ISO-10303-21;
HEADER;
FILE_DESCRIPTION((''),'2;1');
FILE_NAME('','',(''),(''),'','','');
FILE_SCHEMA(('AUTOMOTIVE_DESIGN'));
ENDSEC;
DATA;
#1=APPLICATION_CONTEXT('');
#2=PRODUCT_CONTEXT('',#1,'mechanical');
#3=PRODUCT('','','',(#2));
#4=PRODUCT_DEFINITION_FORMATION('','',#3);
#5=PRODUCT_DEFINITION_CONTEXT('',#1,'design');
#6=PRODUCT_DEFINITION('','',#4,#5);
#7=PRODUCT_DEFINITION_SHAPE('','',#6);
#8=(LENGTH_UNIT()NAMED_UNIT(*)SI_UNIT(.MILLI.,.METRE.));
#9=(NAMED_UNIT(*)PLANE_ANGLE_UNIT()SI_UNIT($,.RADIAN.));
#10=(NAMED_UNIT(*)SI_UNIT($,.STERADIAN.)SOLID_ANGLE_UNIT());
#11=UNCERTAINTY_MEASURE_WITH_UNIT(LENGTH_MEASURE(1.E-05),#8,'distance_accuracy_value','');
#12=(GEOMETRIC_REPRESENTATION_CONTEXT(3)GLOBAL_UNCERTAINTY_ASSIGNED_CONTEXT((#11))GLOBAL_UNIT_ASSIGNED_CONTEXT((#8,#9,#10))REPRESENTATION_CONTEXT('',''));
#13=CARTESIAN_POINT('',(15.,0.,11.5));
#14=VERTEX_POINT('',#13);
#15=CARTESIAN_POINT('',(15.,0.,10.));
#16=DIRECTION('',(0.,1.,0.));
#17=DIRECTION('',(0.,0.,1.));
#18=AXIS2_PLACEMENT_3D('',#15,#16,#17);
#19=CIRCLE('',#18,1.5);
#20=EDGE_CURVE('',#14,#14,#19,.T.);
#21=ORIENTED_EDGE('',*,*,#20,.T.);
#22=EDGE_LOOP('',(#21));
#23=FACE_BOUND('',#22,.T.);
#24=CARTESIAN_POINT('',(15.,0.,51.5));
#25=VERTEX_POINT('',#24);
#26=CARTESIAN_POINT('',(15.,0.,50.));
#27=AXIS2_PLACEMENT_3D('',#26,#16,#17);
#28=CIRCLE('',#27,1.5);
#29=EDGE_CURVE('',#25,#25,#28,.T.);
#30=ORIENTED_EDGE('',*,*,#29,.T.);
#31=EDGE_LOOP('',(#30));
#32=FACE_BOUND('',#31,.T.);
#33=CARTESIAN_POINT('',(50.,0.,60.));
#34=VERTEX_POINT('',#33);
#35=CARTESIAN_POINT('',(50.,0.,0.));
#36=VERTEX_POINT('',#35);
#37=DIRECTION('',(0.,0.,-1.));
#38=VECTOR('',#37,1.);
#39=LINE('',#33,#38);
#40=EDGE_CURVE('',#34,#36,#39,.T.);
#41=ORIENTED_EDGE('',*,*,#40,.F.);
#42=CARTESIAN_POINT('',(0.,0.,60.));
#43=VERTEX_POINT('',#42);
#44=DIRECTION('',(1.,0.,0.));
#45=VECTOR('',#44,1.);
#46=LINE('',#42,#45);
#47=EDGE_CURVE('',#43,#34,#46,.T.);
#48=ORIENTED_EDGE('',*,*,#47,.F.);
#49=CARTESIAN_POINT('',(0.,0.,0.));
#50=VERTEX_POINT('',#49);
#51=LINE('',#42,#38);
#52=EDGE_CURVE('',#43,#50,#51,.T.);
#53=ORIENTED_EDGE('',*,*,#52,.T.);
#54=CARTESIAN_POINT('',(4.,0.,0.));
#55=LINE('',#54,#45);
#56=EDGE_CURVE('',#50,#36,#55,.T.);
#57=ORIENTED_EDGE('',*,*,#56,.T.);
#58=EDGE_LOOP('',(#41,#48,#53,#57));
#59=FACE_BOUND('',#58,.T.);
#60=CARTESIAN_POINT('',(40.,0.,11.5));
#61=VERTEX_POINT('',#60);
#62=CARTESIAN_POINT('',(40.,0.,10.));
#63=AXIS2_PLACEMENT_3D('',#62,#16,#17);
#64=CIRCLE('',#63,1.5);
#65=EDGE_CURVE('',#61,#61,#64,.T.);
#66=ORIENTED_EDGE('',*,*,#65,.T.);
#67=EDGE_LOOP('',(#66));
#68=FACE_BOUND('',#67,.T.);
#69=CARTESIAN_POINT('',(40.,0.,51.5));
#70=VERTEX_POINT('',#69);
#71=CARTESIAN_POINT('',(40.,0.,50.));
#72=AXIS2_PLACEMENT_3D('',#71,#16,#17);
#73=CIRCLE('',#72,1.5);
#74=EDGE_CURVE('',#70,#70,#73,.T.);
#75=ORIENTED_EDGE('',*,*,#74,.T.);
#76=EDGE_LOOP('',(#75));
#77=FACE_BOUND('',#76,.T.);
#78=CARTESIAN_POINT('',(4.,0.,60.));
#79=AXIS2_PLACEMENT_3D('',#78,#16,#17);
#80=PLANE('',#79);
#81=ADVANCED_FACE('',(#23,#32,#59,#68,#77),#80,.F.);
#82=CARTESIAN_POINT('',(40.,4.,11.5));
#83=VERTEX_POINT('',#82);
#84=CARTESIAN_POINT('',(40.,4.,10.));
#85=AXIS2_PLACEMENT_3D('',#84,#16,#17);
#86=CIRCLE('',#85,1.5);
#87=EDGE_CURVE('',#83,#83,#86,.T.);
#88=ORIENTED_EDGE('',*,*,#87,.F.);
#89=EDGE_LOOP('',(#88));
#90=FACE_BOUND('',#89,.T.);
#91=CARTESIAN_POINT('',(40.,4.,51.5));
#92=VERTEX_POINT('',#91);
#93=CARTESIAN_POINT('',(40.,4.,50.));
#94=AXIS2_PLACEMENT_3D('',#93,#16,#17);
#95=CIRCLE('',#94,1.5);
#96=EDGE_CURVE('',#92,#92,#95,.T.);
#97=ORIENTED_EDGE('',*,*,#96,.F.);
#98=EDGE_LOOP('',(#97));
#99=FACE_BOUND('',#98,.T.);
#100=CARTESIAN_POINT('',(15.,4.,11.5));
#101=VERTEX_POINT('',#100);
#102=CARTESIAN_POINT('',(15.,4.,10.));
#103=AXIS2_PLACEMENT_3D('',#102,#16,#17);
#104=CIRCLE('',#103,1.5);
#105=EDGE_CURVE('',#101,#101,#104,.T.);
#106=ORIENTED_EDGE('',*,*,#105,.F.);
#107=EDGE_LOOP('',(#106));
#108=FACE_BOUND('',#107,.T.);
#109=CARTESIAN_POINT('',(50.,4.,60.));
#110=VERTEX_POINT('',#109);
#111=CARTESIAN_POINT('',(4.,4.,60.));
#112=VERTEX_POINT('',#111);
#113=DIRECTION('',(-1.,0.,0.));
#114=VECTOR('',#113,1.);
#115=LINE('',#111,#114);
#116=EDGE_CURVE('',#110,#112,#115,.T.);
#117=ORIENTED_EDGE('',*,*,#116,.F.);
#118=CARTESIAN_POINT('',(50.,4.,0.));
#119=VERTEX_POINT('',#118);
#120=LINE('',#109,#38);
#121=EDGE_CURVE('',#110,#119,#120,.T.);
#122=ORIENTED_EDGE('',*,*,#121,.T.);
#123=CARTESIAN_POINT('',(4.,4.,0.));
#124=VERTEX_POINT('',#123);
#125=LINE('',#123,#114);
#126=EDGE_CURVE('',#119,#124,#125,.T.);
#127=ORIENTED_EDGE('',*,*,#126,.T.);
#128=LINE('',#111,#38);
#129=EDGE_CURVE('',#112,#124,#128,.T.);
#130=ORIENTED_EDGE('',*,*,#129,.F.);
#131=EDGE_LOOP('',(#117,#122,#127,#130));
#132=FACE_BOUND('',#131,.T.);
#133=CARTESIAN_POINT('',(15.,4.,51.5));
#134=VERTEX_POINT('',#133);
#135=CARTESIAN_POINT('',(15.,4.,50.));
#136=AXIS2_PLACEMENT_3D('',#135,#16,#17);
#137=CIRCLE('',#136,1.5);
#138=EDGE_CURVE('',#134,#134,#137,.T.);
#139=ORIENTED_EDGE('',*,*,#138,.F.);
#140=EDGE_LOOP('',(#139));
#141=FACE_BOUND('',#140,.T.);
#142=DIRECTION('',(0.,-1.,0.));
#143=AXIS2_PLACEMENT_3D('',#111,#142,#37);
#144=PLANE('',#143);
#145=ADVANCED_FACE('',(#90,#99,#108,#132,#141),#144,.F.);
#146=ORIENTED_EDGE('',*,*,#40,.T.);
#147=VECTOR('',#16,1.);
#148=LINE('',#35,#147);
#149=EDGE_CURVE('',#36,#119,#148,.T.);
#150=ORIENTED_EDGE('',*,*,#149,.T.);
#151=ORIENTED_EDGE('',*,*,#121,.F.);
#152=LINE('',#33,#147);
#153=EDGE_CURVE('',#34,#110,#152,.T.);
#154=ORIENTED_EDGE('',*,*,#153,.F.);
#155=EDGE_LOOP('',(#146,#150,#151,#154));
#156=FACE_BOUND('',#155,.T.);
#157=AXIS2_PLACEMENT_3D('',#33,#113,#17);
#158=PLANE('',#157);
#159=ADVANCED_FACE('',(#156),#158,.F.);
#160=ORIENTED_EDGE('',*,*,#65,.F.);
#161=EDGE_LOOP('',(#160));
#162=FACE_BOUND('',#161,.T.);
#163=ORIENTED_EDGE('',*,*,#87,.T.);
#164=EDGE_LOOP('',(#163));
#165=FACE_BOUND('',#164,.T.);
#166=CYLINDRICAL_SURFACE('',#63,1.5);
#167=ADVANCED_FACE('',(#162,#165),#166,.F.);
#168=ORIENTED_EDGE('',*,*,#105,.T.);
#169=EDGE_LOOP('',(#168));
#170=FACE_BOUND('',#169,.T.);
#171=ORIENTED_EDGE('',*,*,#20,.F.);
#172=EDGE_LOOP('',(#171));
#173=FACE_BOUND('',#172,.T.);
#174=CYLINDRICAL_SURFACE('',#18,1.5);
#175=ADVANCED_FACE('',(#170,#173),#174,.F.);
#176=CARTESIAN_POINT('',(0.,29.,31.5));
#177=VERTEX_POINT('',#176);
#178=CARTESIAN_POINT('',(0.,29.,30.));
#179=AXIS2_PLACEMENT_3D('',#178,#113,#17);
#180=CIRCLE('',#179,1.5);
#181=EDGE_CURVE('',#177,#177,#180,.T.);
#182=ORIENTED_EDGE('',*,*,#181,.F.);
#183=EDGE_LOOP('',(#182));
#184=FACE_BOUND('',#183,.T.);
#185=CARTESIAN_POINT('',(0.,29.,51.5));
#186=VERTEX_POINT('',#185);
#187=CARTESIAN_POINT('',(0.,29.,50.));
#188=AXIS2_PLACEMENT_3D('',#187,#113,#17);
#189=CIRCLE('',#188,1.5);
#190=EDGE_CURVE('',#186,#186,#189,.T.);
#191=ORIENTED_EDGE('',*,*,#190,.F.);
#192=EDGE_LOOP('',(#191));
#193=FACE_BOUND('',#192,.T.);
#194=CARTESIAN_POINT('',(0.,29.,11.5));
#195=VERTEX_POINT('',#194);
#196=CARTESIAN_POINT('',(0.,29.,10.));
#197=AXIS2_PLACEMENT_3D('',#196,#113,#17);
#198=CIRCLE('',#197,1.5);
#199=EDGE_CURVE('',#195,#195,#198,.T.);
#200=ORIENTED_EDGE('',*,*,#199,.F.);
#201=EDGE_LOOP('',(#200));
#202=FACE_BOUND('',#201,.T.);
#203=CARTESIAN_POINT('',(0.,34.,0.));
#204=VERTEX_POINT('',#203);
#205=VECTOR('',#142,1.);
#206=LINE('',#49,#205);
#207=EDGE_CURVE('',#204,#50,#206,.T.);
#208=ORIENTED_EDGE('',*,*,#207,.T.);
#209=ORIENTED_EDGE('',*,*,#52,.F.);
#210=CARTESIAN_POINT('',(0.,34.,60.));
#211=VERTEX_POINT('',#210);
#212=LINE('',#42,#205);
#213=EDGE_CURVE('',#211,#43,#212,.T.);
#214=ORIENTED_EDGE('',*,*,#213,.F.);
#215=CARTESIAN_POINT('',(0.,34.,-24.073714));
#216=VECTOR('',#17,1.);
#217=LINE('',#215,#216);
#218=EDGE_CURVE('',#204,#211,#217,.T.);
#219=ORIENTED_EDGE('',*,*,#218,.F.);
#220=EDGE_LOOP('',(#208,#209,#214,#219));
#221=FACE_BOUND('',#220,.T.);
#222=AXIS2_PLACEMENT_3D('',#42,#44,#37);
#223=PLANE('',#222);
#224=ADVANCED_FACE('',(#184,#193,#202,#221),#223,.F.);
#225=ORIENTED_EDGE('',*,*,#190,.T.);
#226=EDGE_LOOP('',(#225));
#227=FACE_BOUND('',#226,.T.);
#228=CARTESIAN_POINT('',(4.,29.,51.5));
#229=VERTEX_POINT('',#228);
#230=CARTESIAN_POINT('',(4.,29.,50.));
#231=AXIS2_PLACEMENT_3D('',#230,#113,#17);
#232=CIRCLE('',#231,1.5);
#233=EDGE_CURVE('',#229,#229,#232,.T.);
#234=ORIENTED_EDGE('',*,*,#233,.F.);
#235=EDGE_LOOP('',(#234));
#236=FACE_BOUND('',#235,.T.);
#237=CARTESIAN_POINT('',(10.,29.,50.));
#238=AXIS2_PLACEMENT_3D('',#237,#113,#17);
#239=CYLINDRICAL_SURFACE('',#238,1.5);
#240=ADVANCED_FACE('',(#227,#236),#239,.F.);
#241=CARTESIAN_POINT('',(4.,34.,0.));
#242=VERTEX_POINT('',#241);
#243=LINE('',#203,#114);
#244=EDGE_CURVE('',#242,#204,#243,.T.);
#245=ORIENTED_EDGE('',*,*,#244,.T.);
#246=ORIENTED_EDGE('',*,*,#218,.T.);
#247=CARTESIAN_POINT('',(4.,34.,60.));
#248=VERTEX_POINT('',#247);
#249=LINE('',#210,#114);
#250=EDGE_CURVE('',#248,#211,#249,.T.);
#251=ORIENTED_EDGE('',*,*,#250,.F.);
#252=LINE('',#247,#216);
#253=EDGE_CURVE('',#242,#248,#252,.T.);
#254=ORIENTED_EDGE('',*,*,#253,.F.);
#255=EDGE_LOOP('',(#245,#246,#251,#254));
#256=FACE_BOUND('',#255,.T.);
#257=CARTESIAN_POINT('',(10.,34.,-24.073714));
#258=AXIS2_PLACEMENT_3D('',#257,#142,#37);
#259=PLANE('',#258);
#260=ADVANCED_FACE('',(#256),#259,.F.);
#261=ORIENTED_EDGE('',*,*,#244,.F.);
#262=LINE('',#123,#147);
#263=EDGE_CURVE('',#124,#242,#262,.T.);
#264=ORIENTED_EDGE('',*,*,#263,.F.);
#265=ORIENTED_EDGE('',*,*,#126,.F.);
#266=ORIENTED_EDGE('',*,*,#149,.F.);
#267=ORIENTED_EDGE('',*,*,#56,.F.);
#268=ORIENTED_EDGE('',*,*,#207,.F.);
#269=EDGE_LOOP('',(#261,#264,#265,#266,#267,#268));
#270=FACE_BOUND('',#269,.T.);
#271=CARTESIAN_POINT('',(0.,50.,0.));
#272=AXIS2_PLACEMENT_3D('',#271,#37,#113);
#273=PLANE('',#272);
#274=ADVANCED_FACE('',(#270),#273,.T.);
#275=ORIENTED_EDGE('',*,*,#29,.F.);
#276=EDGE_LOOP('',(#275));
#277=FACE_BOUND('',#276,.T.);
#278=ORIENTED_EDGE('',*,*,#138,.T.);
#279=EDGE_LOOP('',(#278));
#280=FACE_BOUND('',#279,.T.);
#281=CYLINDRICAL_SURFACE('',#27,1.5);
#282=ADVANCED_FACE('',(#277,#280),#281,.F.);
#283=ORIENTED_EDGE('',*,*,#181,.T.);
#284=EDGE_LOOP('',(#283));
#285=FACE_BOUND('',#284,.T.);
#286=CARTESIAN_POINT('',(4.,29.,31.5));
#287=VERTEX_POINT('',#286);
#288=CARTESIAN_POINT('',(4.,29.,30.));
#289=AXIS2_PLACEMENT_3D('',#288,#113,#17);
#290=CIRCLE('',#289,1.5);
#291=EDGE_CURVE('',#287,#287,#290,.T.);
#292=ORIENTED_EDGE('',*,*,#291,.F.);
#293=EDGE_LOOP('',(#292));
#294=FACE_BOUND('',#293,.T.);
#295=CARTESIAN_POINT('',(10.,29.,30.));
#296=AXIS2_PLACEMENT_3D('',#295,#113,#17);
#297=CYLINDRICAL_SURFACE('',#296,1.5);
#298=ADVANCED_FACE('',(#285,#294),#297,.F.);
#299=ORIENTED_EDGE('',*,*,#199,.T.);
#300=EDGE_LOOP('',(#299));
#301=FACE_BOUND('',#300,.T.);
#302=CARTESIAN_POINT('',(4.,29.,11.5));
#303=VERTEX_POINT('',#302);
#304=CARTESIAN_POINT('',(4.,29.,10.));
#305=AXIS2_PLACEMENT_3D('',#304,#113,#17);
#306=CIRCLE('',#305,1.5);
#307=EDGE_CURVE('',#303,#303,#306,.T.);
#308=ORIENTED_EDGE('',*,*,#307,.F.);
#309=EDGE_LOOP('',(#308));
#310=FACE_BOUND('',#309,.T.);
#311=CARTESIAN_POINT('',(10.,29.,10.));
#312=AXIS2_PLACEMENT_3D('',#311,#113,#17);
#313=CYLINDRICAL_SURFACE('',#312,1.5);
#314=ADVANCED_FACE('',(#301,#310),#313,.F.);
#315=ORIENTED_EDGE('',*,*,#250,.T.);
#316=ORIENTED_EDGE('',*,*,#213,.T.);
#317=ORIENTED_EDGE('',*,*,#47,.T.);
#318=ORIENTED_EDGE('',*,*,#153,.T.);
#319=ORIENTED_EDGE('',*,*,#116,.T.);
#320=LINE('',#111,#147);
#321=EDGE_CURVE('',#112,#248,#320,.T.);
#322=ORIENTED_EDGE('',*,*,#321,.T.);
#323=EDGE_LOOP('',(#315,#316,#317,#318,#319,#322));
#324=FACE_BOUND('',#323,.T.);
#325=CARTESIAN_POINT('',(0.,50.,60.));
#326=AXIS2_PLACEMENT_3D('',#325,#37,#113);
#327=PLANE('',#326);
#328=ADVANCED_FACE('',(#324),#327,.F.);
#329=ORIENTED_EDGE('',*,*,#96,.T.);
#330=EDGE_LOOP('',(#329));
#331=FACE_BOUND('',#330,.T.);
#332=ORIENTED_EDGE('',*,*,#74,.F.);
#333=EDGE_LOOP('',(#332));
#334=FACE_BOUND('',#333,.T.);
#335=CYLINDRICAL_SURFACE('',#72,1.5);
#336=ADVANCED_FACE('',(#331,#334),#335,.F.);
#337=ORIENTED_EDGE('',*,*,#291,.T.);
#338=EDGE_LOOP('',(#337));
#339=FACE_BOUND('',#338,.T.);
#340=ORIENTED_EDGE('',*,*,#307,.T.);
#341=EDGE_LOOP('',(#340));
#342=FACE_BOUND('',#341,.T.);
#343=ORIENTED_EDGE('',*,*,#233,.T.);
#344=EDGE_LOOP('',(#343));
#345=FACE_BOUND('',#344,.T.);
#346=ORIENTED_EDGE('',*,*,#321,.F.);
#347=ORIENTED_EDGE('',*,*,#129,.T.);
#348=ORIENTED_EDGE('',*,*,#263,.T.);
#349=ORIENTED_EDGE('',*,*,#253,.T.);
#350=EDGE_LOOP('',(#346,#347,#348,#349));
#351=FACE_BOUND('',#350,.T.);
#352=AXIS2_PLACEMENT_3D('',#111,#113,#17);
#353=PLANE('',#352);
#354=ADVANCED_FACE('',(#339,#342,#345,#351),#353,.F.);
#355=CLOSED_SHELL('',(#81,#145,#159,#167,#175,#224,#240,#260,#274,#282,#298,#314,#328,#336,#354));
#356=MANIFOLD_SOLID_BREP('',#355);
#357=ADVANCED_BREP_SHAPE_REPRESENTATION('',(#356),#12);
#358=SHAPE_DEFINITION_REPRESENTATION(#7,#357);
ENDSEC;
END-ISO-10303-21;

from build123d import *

# Parameters (mm, degrees)
EXTRUSION1_DEPTH                = 60
ESQUISSE2_R                     = 1.5
EXTRUSION2_DEPTH                = 91.642153549
R_P_TITION_LIN_AIRE1_COUNT      = 2
R_P_TITION_LIN_AIRE1_PITCH      = 40
R_P_TITION_LIN_AIRE1_COUNT_DIR2 = 2
R_P_TITION_LIN_AIRE1_PITCH_DIR2 = 25
ESQUISSE3_W                     = 123.67499348
ESQUISSE3_H                     = 39.653502897
EXTRUSION3_DEPTH                = 10
ESQUISSE4_R                     = 1.5
EXTRUSION4_DEPTH                = 10
R_P_TITION_LIN_AIRE2_COUNT      = 3
R_P_TITION_LIN_AIRE2_PITCH      = 20


with BuildPart() as part:
    # Esquisse1 → Extrusion1 (new body)
    with BuildSketch(Plane.XY):
        Polygon((0, 0), (4, 0), (50, 0), (50, 4), (4, 4), (4, 50), (0, 50), align=None)
    extrude(amount=EXTRUSION1_DEPTH)

    # Esquisse2 → Extrusion2 (cut, through all)
    with BuildSketch(Plane(origin=(0, 4, 0), x_dir=(1, 0, 0), z_dir=(0, 1, 0))):
        with Locations(Location((40, -50, 0), (0, 0, 270))):
            Circle(ESQUISSE2_R)
    extrusion2 = extrude(amount=-EXTRUSION2_DEPTH, mode=Mode.SUBTRACT)

    # Répétition linéaire1: Extrusion2 2 × 2
    with Locations(*[(-j * R_P_TITION_LIN_AIRE1_PITCH_DIR2, 0, -i * R_P_TITION_LIN_AIRE1_PITCH) for i in range(R_P_TITION_LIN_AIRE1_COUNT) for j in range(R_P_TITION_LIN_AIRE1_COUNT_DIR2) if (i, j) != (0, 0)]):
        add(extrusion2, mode=Mode.SUBTRACT)

    # Esquisse3 → Extrusion3 (cut)
    with BuildSketch(Plane.ZY):
        with Locations((37.763783115, 53.826751449)):
            Rectangle(ESQUISSE3_W, ESQUISSE3_H)
    extrude(amount=-EXTRUSION3_DEPTH, mode=Mode.SUBTRACT)

    # Esquisse4 → Extrusion4 (cut)
    with BuildSketch(Plane.ZY):
        with Locations((50, 29)):
            Circle(ESQUISSE4_R)
    extrusion4 = extrude(amount=-EXTRUSION4_DEPTH, mode=Mode.SUBTRACT)

    # Répétition linéaire2: Extrusion4 ×3
    with Locations(*[(0, 0, -i * R_P_TITION_LIN_AIRE2_PITCH) for i in range(1, R_P_TITION_LIN_AIRE2_COUNT)]):
        add(extrusion4, mode=Mode.SUBTRACT)


solid = part.part
